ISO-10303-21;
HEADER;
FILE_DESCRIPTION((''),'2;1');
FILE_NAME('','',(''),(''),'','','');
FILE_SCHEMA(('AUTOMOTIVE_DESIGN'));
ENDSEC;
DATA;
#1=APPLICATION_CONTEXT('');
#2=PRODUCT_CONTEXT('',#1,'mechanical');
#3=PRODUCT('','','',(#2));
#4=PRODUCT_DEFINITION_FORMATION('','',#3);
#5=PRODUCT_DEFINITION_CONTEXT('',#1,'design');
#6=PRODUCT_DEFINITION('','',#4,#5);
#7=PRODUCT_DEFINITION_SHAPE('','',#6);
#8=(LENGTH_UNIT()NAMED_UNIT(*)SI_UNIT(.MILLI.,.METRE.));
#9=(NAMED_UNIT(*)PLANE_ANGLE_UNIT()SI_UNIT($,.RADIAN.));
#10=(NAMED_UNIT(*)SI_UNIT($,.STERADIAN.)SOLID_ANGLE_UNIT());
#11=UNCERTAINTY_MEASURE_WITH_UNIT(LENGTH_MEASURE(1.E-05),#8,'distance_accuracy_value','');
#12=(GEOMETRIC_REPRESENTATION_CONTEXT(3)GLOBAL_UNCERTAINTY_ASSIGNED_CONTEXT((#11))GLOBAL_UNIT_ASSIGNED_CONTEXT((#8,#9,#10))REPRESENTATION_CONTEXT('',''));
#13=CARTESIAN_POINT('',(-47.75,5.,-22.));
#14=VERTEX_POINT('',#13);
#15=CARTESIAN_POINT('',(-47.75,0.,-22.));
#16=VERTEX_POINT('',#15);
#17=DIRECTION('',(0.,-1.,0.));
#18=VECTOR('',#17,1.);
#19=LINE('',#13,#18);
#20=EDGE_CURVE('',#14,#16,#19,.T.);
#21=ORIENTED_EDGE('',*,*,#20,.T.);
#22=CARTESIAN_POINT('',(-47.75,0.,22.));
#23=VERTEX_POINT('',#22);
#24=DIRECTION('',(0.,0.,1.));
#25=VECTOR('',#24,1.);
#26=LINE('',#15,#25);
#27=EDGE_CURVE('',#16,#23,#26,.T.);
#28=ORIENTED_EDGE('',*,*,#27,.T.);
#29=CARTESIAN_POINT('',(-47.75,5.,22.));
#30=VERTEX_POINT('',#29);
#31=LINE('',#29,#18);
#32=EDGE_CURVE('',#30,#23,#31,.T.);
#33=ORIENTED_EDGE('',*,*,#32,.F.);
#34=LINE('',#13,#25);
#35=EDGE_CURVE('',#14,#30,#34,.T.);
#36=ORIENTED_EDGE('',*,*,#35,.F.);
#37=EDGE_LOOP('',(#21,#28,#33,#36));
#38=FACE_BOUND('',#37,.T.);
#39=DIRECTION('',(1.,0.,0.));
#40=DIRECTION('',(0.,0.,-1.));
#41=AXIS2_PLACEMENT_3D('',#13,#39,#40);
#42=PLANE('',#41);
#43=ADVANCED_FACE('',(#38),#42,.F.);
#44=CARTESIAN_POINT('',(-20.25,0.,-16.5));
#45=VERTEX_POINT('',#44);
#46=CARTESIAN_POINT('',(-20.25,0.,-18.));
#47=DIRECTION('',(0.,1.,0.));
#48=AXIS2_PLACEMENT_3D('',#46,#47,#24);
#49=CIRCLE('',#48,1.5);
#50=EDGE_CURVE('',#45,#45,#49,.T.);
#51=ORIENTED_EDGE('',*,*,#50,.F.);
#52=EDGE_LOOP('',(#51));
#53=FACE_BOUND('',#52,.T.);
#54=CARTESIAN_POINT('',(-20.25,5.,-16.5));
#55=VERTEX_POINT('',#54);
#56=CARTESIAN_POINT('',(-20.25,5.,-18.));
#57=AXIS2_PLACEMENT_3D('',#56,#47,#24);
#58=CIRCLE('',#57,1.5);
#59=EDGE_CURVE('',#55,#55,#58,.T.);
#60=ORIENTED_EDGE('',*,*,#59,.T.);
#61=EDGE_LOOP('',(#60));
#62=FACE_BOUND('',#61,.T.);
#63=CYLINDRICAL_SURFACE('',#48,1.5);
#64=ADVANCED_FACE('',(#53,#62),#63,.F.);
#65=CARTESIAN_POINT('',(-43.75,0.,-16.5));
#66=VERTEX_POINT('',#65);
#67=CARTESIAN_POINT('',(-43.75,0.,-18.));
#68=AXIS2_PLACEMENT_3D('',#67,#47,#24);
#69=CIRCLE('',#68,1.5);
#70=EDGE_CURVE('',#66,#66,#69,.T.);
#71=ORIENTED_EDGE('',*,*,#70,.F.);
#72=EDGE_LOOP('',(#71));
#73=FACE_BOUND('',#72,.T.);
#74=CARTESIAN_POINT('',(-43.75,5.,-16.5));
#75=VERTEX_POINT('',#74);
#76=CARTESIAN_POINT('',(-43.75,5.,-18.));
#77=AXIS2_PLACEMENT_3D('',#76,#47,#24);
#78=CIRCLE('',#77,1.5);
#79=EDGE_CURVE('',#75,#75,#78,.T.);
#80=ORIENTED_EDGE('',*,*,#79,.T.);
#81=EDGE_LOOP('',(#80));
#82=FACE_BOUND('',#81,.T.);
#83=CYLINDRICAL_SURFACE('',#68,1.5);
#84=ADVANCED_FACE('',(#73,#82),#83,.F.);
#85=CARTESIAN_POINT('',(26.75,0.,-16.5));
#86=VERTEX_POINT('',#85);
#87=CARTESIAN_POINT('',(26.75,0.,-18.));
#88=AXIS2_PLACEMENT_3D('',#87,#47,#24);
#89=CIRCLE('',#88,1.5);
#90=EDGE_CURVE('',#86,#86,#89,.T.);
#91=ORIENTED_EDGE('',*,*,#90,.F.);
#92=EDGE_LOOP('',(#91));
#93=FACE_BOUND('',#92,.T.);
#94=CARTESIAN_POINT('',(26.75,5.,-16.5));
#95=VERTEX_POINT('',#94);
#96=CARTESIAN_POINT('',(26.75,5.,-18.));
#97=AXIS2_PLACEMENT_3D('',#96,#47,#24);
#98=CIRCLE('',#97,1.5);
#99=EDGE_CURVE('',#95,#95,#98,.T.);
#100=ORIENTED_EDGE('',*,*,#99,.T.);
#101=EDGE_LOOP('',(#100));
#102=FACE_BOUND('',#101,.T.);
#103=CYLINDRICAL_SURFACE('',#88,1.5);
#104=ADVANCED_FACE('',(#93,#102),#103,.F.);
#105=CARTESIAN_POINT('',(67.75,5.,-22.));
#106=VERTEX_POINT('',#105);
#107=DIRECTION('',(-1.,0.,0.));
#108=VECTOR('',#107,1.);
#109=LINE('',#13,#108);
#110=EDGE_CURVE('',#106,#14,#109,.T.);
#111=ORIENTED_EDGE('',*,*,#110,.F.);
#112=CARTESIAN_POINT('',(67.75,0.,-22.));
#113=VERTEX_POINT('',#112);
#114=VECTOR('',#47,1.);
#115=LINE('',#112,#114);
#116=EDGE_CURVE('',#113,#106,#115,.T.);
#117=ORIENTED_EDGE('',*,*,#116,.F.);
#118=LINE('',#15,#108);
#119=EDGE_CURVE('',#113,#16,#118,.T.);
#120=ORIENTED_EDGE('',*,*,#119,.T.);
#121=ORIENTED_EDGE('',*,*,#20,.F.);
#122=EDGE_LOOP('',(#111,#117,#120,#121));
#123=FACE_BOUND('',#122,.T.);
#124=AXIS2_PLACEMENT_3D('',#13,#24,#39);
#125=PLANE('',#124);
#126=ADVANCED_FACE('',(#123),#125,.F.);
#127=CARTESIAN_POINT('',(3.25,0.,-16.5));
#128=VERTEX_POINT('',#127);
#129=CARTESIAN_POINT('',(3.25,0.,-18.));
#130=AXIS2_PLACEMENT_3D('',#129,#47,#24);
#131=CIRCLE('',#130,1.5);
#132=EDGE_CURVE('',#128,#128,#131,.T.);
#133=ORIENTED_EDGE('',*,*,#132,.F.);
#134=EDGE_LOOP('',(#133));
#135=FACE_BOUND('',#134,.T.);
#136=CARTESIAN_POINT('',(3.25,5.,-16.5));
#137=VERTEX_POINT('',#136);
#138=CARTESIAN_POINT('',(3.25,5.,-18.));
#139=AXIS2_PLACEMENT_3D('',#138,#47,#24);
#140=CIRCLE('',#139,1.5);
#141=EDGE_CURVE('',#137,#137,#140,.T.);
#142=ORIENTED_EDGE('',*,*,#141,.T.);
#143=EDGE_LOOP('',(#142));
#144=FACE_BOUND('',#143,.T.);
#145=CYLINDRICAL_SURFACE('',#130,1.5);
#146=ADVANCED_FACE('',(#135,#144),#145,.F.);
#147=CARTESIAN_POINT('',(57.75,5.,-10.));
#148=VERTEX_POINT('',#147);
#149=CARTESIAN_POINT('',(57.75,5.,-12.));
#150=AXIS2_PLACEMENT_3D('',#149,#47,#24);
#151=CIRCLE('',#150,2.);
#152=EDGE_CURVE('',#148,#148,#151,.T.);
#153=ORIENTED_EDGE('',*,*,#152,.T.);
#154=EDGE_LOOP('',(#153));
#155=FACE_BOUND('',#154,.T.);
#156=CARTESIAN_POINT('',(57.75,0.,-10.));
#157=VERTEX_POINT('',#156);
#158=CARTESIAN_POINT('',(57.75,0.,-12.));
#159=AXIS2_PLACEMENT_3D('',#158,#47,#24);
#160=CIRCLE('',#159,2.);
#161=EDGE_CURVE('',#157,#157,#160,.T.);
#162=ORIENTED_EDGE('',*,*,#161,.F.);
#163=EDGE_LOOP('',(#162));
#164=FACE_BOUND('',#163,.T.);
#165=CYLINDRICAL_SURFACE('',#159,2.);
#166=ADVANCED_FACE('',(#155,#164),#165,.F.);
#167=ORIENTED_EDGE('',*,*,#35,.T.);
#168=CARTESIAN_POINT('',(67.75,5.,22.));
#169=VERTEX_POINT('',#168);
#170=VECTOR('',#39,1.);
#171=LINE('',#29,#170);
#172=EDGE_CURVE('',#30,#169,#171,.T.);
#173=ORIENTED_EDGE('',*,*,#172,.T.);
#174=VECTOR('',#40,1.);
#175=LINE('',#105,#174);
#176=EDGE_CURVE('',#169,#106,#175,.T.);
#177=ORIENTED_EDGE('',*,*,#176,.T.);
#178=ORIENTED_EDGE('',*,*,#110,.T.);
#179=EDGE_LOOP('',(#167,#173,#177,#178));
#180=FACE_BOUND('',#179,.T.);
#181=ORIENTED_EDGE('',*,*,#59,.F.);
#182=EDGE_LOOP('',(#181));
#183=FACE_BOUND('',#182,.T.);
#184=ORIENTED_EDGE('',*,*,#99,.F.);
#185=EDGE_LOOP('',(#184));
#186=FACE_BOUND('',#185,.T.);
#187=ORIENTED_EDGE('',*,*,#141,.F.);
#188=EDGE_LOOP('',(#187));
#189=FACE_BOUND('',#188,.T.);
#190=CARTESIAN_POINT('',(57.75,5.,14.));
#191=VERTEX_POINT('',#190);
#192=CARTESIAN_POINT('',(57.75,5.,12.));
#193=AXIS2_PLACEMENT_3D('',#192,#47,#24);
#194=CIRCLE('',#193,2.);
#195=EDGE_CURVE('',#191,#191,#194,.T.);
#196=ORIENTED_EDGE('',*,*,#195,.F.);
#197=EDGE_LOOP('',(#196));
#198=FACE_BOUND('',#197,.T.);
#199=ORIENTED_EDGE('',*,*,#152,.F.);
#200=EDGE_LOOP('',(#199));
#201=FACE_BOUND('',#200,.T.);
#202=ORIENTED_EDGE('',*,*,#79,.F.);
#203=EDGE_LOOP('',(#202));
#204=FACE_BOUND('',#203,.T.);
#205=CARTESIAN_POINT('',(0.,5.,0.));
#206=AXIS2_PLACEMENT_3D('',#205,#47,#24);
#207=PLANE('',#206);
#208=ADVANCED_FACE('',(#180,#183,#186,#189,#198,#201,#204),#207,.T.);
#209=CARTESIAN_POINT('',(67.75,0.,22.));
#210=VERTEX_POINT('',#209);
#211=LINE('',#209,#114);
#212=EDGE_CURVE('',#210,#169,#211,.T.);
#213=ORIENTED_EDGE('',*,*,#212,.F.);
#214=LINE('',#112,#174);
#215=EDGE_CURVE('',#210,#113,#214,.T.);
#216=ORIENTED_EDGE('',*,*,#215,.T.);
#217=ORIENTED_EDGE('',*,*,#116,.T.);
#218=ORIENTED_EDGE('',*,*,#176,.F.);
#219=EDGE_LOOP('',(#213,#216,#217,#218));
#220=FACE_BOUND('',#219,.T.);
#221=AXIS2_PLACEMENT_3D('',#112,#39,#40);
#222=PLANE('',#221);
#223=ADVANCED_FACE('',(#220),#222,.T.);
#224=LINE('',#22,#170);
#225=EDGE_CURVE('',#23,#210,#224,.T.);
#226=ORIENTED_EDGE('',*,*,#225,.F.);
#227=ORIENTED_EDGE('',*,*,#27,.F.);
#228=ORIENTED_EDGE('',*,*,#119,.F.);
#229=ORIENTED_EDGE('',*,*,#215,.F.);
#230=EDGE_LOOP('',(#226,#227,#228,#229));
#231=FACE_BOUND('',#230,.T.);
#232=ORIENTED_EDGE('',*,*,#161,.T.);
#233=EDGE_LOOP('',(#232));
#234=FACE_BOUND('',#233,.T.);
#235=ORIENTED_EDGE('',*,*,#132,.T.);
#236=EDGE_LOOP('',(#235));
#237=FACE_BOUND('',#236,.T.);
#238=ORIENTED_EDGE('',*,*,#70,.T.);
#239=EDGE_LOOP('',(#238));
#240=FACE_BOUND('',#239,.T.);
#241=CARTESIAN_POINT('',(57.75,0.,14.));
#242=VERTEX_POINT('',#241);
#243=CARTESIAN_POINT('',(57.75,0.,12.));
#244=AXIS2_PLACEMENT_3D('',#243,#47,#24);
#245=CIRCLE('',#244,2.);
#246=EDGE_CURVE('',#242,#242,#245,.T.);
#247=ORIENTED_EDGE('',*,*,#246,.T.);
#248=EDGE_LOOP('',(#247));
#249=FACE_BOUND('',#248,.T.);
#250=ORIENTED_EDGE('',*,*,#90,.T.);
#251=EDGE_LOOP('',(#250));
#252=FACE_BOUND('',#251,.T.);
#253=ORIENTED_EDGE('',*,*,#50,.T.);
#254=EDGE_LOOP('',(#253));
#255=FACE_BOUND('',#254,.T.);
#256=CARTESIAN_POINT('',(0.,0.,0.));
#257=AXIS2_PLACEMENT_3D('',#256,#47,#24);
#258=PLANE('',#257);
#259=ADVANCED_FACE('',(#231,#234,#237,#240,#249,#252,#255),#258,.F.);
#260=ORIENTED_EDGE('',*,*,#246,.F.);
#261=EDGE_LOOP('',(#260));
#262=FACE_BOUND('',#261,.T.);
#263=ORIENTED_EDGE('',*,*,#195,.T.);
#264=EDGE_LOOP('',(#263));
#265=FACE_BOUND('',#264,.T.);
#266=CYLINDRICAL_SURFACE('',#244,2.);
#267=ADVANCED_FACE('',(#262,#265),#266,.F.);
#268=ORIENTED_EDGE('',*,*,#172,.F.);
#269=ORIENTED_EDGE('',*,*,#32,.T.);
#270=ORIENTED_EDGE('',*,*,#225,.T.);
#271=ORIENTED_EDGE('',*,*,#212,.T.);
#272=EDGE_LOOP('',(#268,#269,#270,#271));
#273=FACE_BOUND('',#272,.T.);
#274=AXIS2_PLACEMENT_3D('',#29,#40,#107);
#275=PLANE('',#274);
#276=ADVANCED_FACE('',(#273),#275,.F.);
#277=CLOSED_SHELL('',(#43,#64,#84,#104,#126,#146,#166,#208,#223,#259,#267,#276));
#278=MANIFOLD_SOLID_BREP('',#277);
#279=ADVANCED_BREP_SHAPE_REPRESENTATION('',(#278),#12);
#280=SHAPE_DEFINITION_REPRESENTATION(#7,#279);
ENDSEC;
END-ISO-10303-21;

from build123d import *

# Parameters (mm, degrees)
SKETCH1_W           = 95.5
SKETCH1_H           = 44
BOSS_EXTRUDE1_DEPTH = 5
SKETCH2_R           = 1.5
CUT_EXTRUDE1_DEPTH  = 6
SKETCH3_W           = 20
SKETCH3_H           = 44
SKETCH3_R           = 2
BOSS_EXTRUDE2_DEPTH = 5


with BuildPart() as part:
    # Sketch1 → Boss-Extrude1 (new body)
    with BuildSketch(Plane(origin=(0, 0, 0), x_dir=(1, 0, 0), z_dir=(0, 1, 0))):
        Rectangle(SKETCH1_W, SKETCH1_H)
    extrude(amount=BOSS_EXTRUDE1_DEPTH)

    # Sketch2 → Cut-Extrude1 (cut, through all)
    with BuildSketch(Plane(origin=(0, 5, 0), x_dir=(1, 0, 0), z_dir=(0, 1, 0))):
        with Locations((-43.75, 18)):
            Circle(SKETCH2_R)
        with Locations((-20.25, 18)):
            Circle(SKETCH2_R)
        with Locations((3.25, 18)):
            Circle(SKETCH2_R)
        with Locations((26.75, 18)):
            Circle(SKETCH2_R)
    extrude(amount=-CUT_EXTRUDE1_DEPTH, mode=Mode.SUBTRACT)

    # Sketch3 → Boss-Extrude2 (add)
    with BuildSketch(Plane(origin=(0, 5, 0), x_dir=(1, 0, 0), z_dir=(0, 1, 0))):
        with Locations((57.75, 0)):
            Rectangle(SKETCH3_W, SKETCH3_H)
        with Locations((57.75, 12)):
            Circle(SKETCH3_R, mode=Mode.SUBTRACT)
        with Locations((57.75, -12)):
            Circle(SKETCH3_R, mode=Mode.SUBTRACT)
    extrude(amount=-BOSS_EXTRUDE2_DEPTH)


solid = part.part
